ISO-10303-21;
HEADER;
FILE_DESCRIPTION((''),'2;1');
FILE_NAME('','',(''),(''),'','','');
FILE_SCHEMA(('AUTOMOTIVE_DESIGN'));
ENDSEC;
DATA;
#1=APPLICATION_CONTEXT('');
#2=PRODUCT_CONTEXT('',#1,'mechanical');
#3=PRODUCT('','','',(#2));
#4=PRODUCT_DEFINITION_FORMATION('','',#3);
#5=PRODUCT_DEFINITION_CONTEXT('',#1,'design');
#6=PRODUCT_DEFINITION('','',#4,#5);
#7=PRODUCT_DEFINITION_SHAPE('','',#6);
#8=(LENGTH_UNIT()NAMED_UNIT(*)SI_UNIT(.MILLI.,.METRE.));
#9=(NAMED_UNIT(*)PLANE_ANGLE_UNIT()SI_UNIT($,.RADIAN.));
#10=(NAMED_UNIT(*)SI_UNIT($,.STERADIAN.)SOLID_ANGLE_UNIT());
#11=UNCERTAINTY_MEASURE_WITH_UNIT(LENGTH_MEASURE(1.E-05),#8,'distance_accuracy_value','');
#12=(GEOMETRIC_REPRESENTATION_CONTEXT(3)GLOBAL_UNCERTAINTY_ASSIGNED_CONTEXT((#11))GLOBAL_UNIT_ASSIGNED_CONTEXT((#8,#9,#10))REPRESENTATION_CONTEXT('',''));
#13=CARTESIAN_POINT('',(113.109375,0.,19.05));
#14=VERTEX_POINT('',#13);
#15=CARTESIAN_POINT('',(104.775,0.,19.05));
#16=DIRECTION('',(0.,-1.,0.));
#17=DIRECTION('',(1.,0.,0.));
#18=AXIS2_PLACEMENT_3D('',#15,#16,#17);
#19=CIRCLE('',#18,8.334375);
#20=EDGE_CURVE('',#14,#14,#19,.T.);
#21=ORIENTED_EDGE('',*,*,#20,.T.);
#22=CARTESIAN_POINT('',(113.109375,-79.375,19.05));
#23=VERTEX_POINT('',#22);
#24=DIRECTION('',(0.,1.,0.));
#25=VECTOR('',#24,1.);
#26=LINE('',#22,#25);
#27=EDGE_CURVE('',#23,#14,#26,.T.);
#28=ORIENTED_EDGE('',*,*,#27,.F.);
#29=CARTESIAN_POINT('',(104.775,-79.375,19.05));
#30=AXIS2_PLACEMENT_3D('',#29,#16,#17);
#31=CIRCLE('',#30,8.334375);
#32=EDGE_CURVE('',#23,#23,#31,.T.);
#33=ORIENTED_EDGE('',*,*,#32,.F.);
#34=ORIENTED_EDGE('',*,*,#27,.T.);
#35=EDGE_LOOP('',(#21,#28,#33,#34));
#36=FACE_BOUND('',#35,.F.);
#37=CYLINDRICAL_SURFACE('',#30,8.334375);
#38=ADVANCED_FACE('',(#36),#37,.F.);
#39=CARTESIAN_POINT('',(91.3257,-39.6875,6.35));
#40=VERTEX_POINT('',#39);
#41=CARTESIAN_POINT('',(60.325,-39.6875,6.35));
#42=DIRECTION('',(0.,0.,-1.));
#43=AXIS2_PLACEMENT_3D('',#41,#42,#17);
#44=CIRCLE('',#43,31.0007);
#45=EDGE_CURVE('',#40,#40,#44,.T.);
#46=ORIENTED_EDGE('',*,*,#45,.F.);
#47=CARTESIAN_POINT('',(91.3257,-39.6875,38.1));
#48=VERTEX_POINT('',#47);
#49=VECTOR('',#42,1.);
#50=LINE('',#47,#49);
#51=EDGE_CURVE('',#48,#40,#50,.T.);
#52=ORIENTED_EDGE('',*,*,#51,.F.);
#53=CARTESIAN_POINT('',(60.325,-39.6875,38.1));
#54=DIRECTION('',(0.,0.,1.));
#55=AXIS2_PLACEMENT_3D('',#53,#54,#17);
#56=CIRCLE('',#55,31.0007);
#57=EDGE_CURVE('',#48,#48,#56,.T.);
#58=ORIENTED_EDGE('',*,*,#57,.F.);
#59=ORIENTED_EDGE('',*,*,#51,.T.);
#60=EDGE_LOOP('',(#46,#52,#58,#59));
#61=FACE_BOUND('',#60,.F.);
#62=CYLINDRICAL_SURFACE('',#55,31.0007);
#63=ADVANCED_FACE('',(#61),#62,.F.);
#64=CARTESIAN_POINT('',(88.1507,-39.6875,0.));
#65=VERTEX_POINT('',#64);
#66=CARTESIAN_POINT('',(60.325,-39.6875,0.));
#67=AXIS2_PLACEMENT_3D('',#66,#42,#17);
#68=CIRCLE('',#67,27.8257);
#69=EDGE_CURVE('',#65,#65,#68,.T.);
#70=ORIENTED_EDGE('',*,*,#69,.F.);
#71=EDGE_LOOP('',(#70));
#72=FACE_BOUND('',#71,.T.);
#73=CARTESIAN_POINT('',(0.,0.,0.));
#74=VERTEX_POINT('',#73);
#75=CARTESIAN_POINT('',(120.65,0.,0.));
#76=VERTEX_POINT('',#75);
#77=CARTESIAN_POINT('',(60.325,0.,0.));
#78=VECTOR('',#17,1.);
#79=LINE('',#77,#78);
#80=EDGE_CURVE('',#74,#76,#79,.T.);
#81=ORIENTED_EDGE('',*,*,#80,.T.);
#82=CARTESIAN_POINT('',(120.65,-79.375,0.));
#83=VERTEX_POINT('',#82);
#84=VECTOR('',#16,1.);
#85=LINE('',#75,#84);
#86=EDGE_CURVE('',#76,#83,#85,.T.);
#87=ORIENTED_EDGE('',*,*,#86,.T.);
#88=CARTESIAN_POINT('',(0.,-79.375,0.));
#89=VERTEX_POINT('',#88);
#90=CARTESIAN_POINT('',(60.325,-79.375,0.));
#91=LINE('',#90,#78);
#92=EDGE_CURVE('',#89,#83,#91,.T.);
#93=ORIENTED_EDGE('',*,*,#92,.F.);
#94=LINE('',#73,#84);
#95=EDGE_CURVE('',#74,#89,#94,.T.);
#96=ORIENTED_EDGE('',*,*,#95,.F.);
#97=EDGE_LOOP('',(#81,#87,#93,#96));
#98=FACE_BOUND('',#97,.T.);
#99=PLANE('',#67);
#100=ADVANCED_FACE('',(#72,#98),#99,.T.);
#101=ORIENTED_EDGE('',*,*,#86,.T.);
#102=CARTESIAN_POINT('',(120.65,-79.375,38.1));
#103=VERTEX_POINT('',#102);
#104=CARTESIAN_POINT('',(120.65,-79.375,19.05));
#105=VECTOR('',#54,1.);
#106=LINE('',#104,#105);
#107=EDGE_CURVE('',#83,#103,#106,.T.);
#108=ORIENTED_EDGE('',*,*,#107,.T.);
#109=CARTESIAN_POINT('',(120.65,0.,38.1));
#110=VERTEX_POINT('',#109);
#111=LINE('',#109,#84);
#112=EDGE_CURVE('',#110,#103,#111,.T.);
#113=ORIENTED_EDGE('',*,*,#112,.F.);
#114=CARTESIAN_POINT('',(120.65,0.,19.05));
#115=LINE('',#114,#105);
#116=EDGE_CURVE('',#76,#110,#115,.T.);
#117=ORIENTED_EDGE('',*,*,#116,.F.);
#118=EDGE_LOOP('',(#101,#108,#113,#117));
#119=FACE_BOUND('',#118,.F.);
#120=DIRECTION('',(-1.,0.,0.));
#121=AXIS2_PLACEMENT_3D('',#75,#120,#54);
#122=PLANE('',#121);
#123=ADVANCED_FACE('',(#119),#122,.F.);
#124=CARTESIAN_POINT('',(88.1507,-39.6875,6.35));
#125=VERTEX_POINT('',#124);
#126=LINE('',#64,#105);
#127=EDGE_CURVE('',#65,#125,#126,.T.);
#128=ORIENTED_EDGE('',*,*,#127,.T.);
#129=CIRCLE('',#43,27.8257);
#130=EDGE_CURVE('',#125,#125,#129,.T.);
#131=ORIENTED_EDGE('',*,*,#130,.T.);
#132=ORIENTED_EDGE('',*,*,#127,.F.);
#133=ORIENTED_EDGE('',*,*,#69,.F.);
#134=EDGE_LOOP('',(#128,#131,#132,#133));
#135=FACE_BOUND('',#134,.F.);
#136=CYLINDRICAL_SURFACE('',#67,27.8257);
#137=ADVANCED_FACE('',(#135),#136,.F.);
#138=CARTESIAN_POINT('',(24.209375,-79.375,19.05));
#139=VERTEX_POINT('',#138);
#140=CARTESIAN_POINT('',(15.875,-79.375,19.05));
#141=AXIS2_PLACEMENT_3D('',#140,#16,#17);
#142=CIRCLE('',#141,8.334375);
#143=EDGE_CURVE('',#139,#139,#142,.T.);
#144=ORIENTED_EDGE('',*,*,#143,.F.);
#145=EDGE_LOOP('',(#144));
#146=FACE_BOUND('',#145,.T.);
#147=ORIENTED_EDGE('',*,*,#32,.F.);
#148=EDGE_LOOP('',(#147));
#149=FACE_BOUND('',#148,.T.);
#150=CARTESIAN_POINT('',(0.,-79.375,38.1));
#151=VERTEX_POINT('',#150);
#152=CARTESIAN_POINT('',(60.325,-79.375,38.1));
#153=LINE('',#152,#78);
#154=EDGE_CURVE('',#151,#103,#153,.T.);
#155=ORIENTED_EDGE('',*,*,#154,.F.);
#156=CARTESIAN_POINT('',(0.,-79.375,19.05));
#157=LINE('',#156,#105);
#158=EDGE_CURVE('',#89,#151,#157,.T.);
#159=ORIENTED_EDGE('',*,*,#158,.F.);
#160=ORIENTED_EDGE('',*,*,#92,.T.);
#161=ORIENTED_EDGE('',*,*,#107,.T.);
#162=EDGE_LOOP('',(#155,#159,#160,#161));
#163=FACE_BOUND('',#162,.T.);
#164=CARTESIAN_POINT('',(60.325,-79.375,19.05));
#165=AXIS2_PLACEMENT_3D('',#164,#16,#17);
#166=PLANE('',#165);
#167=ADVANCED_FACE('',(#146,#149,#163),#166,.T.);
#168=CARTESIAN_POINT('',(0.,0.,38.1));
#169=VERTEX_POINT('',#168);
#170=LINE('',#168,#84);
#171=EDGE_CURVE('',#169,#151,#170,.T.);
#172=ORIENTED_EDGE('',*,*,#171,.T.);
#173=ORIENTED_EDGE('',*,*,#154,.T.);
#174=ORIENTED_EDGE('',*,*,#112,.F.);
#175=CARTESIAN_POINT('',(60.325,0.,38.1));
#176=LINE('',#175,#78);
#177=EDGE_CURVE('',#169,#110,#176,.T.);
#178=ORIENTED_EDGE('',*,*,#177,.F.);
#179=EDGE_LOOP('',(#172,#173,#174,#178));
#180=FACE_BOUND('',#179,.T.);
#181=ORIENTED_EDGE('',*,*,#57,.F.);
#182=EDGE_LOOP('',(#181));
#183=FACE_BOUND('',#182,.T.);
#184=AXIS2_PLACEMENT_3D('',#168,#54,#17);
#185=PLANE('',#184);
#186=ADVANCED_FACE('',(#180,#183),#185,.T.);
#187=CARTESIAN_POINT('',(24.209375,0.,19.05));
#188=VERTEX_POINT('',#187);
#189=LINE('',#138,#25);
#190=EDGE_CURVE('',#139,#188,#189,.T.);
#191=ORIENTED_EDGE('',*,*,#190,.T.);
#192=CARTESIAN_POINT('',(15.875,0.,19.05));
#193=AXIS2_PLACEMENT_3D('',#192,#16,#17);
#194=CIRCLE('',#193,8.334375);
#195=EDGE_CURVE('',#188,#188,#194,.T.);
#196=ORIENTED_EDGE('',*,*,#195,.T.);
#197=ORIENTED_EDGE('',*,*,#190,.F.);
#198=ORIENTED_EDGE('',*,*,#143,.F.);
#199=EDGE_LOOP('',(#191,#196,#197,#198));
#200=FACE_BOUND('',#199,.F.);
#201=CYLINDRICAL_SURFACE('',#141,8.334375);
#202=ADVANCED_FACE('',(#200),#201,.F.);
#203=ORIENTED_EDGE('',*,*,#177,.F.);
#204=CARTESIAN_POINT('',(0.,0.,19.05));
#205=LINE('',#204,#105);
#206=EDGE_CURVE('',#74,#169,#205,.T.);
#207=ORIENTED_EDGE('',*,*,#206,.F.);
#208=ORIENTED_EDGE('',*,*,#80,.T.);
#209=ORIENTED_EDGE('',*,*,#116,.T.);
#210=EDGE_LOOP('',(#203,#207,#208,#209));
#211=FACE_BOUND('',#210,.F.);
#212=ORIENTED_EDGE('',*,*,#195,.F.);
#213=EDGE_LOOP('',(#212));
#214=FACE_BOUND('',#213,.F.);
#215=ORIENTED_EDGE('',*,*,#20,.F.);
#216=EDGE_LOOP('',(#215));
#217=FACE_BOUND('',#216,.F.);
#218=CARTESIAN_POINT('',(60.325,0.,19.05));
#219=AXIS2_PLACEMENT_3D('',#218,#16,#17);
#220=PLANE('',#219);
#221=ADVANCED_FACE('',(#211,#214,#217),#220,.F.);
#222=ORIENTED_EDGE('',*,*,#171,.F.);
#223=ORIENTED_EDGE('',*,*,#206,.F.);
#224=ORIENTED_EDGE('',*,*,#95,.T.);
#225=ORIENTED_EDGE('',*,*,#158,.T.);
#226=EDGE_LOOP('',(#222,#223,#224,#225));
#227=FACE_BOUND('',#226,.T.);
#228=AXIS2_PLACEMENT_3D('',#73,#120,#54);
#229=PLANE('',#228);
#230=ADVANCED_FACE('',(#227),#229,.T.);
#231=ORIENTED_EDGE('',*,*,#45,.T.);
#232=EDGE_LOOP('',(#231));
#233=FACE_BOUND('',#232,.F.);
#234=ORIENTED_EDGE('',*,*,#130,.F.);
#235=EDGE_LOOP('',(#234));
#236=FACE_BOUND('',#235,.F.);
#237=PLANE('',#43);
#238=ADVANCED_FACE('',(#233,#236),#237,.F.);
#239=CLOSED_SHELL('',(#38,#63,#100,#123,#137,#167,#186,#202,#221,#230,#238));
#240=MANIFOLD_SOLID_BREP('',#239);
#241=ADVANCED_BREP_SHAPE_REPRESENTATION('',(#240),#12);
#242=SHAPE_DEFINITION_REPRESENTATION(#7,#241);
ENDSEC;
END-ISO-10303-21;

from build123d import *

# Parameters (mm, degrees)
F0_W     = 120.65
F0_H     = 38.1
F1_DEPTH = 79.375
F2_R     = 31.0007
F3_DEPTH = 38.101
F4_R     = 31.0007
F4_R_2   = 27.8257
F5_DEPTH = 6.35
F6_R     = 8.334375
F7_DEPTH = 79.376


with BuildPart() as f1:
    # F0 (on Front) → F1 (new body)
    with BuildSketch(Plane.XZ):
        with Locations((60.325, 19.05)):
            Rectangle(F0_W, F0_H)
    extrude(amount=F1_DEPTH)

    # F2 (on face) → F3 (cut, through all)
    with BuildSketch(Plane.XY.offset(38.1)):
        with Locations((60.325, -39.6875)):
            Circle(F2_R)
    extrude(amount=-F3_DEPTH, mode=Mode.SUBTRACT)

    # F4 (on face) → F5 (join)
    with BuildSketch(Plane(origin=(0, 0, 0), x_dir=(1, 0, 0), z_dir=(0, 0, -1))):
        with Locations((60.325, 39.6875)):
            Circle(F4_R)
        with Locations((60.325, 39.6875)):
            Circle(F4_R_2, mode=Mode.SUBTRACT)
    extrude(amount=-F5_DEPTH)

    # F6 (on face) → F7 (cut, through all)
    with BuildSketch(Plane.XZ.offset(79.375)):
        with Locations((15.875, 19.05)):
            Circle(F6_R)
        with Locations((104.775, 19.05)):
            Circle(F6_R)
    extrude(amount=-F7_DEPTH, mode=Mode.SUBTRACT)


solid = f1.part
